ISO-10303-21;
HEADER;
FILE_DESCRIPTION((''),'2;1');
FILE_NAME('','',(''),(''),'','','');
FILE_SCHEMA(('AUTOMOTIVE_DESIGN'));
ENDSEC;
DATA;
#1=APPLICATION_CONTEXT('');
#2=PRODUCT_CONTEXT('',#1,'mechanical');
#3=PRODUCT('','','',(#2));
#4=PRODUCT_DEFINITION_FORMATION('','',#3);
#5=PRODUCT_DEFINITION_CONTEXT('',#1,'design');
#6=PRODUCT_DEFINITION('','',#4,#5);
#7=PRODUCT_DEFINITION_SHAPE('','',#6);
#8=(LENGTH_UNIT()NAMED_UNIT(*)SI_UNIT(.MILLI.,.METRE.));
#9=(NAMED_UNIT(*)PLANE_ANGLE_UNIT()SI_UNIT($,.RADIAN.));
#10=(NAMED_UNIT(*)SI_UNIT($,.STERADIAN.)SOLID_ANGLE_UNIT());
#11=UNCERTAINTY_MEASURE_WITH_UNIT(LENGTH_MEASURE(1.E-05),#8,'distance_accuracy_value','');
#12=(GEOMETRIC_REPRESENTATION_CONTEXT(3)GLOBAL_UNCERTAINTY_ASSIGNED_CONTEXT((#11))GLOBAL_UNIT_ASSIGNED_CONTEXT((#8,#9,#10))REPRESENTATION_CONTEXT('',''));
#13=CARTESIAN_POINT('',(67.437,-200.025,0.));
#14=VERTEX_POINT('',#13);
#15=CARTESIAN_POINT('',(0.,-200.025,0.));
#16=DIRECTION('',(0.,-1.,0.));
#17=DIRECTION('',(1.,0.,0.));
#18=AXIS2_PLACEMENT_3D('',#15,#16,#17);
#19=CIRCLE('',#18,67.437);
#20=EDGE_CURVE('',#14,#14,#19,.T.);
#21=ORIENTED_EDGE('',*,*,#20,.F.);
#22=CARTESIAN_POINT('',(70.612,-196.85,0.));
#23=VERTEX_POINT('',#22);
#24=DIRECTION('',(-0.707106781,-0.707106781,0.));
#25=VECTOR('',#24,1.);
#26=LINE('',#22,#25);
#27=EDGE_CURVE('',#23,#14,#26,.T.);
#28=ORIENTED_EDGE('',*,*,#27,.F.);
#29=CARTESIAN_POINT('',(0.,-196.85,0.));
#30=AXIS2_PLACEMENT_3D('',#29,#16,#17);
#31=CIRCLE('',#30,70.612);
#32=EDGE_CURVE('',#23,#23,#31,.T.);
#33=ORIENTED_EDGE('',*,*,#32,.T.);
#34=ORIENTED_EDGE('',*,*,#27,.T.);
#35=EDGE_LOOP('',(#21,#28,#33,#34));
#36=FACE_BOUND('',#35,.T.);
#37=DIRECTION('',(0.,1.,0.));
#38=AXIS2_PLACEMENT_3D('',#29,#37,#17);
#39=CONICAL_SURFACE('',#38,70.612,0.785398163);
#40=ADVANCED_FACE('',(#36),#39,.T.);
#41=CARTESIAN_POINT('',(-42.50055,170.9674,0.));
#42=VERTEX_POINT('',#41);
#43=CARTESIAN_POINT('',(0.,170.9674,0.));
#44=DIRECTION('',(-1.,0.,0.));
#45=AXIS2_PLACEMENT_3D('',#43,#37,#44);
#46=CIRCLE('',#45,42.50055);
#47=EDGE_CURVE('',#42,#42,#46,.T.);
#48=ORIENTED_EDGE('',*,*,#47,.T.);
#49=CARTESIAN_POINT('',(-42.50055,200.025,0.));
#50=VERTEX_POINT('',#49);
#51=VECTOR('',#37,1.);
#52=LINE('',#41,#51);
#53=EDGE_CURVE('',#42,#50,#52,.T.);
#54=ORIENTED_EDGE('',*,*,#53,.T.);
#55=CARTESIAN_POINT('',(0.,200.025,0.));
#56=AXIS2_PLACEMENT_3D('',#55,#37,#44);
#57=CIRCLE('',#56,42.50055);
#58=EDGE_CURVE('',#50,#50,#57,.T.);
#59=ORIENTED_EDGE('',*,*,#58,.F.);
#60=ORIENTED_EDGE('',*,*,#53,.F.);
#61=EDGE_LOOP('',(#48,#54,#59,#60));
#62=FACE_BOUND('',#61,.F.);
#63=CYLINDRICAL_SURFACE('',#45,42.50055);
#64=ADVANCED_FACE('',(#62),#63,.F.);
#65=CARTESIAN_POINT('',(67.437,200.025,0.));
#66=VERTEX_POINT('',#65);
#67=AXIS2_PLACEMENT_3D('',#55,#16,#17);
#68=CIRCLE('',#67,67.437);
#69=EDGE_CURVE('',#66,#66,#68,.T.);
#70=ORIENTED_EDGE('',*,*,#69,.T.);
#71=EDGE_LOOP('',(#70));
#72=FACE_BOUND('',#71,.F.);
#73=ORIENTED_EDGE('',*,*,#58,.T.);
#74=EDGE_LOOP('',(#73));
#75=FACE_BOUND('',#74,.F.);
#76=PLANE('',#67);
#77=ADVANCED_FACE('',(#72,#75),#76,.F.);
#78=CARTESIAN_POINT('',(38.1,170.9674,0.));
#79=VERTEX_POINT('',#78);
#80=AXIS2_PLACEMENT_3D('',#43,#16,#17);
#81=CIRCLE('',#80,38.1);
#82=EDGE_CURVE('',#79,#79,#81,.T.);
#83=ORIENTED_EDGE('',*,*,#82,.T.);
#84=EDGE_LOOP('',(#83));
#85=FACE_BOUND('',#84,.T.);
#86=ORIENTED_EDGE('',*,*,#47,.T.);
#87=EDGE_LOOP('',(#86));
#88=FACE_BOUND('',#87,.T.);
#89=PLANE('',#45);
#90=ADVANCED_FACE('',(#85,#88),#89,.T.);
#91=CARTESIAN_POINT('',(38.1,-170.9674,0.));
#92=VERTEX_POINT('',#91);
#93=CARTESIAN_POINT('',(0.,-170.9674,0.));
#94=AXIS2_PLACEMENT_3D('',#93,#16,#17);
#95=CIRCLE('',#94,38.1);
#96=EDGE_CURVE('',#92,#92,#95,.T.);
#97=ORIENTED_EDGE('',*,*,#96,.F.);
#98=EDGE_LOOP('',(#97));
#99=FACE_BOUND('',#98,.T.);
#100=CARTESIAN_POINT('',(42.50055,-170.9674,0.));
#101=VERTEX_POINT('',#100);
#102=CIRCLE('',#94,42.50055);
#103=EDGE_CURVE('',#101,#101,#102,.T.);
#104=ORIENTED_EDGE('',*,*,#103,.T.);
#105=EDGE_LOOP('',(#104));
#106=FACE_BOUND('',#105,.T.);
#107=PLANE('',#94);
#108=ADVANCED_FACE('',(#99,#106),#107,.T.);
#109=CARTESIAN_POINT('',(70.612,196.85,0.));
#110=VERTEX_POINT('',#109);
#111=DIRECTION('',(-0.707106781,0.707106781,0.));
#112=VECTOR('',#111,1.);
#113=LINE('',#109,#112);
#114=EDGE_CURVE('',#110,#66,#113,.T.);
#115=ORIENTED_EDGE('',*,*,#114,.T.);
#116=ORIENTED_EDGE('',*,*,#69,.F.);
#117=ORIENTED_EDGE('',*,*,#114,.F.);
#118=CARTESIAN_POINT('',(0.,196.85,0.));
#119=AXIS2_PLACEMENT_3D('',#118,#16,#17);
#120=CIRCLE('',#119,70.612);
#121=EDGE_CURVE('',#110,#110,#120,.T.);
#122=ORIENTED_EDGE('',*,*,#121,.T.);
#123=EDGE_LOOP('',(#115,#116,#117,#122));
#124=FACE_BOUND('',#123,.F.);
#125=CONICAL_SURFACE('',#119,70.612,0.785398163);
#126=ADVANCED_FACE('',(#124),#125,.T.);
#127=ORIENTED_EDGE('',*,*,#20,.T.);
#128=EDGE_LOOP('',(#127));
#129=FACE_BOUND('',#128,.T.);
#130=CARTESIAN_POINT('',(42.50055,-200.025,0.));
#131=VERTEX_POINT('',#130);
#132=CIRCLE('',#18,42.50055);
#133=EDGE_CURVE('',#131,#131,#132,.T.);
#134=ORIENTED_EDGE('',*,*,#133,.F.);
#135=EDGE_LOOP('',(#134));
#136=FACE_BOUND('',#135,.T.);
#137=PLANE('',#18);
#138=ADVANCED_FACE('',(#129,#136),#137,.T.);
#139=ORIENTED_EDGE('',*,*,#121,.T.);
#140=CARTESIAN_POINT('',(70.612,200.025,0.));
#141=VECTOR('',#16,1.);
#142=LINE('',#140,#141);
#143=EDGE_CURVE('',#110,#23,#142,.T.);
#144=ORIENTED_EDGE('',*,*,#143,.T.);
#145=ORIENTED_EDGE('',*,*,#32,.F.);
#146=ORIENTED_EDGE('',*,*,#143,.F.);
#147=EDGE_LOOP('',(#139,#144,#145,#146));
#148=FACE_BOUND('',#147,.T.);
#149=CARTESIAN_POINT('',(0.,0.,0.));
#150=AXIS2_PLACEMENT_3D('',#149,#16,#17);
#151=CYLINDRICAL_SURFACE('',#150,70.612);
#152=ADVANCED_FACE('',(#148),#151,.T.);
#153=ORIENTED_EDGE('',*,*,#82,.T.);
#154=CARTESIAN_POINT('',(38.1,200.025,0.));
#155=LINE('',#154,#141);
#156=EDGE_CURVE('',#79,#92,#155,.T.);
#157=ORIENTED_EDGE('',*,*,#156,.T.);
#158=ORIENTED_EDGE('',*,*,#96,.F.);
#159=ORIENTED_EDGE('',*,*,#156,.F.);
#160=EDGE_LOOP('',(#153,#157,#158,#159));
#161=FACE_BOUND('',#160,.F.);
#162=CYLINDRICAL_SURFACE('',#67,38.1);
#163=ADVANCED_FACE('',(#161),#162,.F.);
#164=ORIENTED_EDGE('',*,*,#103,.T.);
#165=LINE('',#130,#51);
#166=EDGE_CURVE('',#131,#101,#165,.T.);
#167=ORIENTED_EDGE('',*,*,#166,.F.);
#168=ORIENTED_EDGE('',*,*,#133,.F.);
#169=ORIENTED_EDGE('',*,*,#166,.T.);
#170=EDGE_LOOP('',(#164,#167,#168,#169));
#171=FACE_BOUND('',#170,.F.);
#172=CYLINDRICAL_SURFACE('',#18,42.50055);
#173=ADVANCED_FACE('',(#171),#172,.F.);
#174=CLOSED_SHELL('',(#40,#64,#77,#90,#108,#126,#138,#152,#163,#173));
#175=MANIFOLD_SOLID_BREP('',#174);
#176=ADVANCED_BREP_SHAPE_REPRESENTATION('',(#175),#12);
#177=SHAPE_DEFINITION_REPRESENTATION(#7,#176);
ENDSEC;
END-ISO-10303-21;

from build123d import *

# Parameters (mm, degrees)
F0_R           = 70.612
F1_DEPTH       = 200.025
F2_SIZE        = 3.175
F4_D           = 76.2
F4_CBORE_D     = 85.0011
F4_CBORE_DEPTH = 29.0576
F5_R           = 42.50055
F6_DEPTH       = 29.0576


with BuildPart() as f1:
    # F0 (on Front) → F1 (new body, symmetric)
    with BuildSketch(Plane.XZ):
        Circle(F0_R)
    extrude(amount=F1_DEPTH, both=True)

    # F2
    f2_edges = [f1.edges().sort_by_distance(p)[0] for p in [
        (-70.612, -200.025, 0),
        (-70.612, 200.025, 0),
    ]]
    chamfer(f2_edges, length=F2_SIZE)

    # F4 (through all)
    with Locations(Plane(origin=(0, 200.025, 0), x_dir=(-1, 0, 0), z_dir=(0, 1, 0))):
        with Locations((0, 0)):
            CounterBoreHole(F4_D / 2, F4_CBORE_D / 2, F4_CBORE_DEPTH)

    # F5 (on face) → F6 (cut)
    with BuildSketch(Plane.XZ.offset(200.025)):
        Circle(F5_R)
    extrude(amount=-F6_DEPTH, mode=Mode.SUBTRACT)


solid = f1.part
